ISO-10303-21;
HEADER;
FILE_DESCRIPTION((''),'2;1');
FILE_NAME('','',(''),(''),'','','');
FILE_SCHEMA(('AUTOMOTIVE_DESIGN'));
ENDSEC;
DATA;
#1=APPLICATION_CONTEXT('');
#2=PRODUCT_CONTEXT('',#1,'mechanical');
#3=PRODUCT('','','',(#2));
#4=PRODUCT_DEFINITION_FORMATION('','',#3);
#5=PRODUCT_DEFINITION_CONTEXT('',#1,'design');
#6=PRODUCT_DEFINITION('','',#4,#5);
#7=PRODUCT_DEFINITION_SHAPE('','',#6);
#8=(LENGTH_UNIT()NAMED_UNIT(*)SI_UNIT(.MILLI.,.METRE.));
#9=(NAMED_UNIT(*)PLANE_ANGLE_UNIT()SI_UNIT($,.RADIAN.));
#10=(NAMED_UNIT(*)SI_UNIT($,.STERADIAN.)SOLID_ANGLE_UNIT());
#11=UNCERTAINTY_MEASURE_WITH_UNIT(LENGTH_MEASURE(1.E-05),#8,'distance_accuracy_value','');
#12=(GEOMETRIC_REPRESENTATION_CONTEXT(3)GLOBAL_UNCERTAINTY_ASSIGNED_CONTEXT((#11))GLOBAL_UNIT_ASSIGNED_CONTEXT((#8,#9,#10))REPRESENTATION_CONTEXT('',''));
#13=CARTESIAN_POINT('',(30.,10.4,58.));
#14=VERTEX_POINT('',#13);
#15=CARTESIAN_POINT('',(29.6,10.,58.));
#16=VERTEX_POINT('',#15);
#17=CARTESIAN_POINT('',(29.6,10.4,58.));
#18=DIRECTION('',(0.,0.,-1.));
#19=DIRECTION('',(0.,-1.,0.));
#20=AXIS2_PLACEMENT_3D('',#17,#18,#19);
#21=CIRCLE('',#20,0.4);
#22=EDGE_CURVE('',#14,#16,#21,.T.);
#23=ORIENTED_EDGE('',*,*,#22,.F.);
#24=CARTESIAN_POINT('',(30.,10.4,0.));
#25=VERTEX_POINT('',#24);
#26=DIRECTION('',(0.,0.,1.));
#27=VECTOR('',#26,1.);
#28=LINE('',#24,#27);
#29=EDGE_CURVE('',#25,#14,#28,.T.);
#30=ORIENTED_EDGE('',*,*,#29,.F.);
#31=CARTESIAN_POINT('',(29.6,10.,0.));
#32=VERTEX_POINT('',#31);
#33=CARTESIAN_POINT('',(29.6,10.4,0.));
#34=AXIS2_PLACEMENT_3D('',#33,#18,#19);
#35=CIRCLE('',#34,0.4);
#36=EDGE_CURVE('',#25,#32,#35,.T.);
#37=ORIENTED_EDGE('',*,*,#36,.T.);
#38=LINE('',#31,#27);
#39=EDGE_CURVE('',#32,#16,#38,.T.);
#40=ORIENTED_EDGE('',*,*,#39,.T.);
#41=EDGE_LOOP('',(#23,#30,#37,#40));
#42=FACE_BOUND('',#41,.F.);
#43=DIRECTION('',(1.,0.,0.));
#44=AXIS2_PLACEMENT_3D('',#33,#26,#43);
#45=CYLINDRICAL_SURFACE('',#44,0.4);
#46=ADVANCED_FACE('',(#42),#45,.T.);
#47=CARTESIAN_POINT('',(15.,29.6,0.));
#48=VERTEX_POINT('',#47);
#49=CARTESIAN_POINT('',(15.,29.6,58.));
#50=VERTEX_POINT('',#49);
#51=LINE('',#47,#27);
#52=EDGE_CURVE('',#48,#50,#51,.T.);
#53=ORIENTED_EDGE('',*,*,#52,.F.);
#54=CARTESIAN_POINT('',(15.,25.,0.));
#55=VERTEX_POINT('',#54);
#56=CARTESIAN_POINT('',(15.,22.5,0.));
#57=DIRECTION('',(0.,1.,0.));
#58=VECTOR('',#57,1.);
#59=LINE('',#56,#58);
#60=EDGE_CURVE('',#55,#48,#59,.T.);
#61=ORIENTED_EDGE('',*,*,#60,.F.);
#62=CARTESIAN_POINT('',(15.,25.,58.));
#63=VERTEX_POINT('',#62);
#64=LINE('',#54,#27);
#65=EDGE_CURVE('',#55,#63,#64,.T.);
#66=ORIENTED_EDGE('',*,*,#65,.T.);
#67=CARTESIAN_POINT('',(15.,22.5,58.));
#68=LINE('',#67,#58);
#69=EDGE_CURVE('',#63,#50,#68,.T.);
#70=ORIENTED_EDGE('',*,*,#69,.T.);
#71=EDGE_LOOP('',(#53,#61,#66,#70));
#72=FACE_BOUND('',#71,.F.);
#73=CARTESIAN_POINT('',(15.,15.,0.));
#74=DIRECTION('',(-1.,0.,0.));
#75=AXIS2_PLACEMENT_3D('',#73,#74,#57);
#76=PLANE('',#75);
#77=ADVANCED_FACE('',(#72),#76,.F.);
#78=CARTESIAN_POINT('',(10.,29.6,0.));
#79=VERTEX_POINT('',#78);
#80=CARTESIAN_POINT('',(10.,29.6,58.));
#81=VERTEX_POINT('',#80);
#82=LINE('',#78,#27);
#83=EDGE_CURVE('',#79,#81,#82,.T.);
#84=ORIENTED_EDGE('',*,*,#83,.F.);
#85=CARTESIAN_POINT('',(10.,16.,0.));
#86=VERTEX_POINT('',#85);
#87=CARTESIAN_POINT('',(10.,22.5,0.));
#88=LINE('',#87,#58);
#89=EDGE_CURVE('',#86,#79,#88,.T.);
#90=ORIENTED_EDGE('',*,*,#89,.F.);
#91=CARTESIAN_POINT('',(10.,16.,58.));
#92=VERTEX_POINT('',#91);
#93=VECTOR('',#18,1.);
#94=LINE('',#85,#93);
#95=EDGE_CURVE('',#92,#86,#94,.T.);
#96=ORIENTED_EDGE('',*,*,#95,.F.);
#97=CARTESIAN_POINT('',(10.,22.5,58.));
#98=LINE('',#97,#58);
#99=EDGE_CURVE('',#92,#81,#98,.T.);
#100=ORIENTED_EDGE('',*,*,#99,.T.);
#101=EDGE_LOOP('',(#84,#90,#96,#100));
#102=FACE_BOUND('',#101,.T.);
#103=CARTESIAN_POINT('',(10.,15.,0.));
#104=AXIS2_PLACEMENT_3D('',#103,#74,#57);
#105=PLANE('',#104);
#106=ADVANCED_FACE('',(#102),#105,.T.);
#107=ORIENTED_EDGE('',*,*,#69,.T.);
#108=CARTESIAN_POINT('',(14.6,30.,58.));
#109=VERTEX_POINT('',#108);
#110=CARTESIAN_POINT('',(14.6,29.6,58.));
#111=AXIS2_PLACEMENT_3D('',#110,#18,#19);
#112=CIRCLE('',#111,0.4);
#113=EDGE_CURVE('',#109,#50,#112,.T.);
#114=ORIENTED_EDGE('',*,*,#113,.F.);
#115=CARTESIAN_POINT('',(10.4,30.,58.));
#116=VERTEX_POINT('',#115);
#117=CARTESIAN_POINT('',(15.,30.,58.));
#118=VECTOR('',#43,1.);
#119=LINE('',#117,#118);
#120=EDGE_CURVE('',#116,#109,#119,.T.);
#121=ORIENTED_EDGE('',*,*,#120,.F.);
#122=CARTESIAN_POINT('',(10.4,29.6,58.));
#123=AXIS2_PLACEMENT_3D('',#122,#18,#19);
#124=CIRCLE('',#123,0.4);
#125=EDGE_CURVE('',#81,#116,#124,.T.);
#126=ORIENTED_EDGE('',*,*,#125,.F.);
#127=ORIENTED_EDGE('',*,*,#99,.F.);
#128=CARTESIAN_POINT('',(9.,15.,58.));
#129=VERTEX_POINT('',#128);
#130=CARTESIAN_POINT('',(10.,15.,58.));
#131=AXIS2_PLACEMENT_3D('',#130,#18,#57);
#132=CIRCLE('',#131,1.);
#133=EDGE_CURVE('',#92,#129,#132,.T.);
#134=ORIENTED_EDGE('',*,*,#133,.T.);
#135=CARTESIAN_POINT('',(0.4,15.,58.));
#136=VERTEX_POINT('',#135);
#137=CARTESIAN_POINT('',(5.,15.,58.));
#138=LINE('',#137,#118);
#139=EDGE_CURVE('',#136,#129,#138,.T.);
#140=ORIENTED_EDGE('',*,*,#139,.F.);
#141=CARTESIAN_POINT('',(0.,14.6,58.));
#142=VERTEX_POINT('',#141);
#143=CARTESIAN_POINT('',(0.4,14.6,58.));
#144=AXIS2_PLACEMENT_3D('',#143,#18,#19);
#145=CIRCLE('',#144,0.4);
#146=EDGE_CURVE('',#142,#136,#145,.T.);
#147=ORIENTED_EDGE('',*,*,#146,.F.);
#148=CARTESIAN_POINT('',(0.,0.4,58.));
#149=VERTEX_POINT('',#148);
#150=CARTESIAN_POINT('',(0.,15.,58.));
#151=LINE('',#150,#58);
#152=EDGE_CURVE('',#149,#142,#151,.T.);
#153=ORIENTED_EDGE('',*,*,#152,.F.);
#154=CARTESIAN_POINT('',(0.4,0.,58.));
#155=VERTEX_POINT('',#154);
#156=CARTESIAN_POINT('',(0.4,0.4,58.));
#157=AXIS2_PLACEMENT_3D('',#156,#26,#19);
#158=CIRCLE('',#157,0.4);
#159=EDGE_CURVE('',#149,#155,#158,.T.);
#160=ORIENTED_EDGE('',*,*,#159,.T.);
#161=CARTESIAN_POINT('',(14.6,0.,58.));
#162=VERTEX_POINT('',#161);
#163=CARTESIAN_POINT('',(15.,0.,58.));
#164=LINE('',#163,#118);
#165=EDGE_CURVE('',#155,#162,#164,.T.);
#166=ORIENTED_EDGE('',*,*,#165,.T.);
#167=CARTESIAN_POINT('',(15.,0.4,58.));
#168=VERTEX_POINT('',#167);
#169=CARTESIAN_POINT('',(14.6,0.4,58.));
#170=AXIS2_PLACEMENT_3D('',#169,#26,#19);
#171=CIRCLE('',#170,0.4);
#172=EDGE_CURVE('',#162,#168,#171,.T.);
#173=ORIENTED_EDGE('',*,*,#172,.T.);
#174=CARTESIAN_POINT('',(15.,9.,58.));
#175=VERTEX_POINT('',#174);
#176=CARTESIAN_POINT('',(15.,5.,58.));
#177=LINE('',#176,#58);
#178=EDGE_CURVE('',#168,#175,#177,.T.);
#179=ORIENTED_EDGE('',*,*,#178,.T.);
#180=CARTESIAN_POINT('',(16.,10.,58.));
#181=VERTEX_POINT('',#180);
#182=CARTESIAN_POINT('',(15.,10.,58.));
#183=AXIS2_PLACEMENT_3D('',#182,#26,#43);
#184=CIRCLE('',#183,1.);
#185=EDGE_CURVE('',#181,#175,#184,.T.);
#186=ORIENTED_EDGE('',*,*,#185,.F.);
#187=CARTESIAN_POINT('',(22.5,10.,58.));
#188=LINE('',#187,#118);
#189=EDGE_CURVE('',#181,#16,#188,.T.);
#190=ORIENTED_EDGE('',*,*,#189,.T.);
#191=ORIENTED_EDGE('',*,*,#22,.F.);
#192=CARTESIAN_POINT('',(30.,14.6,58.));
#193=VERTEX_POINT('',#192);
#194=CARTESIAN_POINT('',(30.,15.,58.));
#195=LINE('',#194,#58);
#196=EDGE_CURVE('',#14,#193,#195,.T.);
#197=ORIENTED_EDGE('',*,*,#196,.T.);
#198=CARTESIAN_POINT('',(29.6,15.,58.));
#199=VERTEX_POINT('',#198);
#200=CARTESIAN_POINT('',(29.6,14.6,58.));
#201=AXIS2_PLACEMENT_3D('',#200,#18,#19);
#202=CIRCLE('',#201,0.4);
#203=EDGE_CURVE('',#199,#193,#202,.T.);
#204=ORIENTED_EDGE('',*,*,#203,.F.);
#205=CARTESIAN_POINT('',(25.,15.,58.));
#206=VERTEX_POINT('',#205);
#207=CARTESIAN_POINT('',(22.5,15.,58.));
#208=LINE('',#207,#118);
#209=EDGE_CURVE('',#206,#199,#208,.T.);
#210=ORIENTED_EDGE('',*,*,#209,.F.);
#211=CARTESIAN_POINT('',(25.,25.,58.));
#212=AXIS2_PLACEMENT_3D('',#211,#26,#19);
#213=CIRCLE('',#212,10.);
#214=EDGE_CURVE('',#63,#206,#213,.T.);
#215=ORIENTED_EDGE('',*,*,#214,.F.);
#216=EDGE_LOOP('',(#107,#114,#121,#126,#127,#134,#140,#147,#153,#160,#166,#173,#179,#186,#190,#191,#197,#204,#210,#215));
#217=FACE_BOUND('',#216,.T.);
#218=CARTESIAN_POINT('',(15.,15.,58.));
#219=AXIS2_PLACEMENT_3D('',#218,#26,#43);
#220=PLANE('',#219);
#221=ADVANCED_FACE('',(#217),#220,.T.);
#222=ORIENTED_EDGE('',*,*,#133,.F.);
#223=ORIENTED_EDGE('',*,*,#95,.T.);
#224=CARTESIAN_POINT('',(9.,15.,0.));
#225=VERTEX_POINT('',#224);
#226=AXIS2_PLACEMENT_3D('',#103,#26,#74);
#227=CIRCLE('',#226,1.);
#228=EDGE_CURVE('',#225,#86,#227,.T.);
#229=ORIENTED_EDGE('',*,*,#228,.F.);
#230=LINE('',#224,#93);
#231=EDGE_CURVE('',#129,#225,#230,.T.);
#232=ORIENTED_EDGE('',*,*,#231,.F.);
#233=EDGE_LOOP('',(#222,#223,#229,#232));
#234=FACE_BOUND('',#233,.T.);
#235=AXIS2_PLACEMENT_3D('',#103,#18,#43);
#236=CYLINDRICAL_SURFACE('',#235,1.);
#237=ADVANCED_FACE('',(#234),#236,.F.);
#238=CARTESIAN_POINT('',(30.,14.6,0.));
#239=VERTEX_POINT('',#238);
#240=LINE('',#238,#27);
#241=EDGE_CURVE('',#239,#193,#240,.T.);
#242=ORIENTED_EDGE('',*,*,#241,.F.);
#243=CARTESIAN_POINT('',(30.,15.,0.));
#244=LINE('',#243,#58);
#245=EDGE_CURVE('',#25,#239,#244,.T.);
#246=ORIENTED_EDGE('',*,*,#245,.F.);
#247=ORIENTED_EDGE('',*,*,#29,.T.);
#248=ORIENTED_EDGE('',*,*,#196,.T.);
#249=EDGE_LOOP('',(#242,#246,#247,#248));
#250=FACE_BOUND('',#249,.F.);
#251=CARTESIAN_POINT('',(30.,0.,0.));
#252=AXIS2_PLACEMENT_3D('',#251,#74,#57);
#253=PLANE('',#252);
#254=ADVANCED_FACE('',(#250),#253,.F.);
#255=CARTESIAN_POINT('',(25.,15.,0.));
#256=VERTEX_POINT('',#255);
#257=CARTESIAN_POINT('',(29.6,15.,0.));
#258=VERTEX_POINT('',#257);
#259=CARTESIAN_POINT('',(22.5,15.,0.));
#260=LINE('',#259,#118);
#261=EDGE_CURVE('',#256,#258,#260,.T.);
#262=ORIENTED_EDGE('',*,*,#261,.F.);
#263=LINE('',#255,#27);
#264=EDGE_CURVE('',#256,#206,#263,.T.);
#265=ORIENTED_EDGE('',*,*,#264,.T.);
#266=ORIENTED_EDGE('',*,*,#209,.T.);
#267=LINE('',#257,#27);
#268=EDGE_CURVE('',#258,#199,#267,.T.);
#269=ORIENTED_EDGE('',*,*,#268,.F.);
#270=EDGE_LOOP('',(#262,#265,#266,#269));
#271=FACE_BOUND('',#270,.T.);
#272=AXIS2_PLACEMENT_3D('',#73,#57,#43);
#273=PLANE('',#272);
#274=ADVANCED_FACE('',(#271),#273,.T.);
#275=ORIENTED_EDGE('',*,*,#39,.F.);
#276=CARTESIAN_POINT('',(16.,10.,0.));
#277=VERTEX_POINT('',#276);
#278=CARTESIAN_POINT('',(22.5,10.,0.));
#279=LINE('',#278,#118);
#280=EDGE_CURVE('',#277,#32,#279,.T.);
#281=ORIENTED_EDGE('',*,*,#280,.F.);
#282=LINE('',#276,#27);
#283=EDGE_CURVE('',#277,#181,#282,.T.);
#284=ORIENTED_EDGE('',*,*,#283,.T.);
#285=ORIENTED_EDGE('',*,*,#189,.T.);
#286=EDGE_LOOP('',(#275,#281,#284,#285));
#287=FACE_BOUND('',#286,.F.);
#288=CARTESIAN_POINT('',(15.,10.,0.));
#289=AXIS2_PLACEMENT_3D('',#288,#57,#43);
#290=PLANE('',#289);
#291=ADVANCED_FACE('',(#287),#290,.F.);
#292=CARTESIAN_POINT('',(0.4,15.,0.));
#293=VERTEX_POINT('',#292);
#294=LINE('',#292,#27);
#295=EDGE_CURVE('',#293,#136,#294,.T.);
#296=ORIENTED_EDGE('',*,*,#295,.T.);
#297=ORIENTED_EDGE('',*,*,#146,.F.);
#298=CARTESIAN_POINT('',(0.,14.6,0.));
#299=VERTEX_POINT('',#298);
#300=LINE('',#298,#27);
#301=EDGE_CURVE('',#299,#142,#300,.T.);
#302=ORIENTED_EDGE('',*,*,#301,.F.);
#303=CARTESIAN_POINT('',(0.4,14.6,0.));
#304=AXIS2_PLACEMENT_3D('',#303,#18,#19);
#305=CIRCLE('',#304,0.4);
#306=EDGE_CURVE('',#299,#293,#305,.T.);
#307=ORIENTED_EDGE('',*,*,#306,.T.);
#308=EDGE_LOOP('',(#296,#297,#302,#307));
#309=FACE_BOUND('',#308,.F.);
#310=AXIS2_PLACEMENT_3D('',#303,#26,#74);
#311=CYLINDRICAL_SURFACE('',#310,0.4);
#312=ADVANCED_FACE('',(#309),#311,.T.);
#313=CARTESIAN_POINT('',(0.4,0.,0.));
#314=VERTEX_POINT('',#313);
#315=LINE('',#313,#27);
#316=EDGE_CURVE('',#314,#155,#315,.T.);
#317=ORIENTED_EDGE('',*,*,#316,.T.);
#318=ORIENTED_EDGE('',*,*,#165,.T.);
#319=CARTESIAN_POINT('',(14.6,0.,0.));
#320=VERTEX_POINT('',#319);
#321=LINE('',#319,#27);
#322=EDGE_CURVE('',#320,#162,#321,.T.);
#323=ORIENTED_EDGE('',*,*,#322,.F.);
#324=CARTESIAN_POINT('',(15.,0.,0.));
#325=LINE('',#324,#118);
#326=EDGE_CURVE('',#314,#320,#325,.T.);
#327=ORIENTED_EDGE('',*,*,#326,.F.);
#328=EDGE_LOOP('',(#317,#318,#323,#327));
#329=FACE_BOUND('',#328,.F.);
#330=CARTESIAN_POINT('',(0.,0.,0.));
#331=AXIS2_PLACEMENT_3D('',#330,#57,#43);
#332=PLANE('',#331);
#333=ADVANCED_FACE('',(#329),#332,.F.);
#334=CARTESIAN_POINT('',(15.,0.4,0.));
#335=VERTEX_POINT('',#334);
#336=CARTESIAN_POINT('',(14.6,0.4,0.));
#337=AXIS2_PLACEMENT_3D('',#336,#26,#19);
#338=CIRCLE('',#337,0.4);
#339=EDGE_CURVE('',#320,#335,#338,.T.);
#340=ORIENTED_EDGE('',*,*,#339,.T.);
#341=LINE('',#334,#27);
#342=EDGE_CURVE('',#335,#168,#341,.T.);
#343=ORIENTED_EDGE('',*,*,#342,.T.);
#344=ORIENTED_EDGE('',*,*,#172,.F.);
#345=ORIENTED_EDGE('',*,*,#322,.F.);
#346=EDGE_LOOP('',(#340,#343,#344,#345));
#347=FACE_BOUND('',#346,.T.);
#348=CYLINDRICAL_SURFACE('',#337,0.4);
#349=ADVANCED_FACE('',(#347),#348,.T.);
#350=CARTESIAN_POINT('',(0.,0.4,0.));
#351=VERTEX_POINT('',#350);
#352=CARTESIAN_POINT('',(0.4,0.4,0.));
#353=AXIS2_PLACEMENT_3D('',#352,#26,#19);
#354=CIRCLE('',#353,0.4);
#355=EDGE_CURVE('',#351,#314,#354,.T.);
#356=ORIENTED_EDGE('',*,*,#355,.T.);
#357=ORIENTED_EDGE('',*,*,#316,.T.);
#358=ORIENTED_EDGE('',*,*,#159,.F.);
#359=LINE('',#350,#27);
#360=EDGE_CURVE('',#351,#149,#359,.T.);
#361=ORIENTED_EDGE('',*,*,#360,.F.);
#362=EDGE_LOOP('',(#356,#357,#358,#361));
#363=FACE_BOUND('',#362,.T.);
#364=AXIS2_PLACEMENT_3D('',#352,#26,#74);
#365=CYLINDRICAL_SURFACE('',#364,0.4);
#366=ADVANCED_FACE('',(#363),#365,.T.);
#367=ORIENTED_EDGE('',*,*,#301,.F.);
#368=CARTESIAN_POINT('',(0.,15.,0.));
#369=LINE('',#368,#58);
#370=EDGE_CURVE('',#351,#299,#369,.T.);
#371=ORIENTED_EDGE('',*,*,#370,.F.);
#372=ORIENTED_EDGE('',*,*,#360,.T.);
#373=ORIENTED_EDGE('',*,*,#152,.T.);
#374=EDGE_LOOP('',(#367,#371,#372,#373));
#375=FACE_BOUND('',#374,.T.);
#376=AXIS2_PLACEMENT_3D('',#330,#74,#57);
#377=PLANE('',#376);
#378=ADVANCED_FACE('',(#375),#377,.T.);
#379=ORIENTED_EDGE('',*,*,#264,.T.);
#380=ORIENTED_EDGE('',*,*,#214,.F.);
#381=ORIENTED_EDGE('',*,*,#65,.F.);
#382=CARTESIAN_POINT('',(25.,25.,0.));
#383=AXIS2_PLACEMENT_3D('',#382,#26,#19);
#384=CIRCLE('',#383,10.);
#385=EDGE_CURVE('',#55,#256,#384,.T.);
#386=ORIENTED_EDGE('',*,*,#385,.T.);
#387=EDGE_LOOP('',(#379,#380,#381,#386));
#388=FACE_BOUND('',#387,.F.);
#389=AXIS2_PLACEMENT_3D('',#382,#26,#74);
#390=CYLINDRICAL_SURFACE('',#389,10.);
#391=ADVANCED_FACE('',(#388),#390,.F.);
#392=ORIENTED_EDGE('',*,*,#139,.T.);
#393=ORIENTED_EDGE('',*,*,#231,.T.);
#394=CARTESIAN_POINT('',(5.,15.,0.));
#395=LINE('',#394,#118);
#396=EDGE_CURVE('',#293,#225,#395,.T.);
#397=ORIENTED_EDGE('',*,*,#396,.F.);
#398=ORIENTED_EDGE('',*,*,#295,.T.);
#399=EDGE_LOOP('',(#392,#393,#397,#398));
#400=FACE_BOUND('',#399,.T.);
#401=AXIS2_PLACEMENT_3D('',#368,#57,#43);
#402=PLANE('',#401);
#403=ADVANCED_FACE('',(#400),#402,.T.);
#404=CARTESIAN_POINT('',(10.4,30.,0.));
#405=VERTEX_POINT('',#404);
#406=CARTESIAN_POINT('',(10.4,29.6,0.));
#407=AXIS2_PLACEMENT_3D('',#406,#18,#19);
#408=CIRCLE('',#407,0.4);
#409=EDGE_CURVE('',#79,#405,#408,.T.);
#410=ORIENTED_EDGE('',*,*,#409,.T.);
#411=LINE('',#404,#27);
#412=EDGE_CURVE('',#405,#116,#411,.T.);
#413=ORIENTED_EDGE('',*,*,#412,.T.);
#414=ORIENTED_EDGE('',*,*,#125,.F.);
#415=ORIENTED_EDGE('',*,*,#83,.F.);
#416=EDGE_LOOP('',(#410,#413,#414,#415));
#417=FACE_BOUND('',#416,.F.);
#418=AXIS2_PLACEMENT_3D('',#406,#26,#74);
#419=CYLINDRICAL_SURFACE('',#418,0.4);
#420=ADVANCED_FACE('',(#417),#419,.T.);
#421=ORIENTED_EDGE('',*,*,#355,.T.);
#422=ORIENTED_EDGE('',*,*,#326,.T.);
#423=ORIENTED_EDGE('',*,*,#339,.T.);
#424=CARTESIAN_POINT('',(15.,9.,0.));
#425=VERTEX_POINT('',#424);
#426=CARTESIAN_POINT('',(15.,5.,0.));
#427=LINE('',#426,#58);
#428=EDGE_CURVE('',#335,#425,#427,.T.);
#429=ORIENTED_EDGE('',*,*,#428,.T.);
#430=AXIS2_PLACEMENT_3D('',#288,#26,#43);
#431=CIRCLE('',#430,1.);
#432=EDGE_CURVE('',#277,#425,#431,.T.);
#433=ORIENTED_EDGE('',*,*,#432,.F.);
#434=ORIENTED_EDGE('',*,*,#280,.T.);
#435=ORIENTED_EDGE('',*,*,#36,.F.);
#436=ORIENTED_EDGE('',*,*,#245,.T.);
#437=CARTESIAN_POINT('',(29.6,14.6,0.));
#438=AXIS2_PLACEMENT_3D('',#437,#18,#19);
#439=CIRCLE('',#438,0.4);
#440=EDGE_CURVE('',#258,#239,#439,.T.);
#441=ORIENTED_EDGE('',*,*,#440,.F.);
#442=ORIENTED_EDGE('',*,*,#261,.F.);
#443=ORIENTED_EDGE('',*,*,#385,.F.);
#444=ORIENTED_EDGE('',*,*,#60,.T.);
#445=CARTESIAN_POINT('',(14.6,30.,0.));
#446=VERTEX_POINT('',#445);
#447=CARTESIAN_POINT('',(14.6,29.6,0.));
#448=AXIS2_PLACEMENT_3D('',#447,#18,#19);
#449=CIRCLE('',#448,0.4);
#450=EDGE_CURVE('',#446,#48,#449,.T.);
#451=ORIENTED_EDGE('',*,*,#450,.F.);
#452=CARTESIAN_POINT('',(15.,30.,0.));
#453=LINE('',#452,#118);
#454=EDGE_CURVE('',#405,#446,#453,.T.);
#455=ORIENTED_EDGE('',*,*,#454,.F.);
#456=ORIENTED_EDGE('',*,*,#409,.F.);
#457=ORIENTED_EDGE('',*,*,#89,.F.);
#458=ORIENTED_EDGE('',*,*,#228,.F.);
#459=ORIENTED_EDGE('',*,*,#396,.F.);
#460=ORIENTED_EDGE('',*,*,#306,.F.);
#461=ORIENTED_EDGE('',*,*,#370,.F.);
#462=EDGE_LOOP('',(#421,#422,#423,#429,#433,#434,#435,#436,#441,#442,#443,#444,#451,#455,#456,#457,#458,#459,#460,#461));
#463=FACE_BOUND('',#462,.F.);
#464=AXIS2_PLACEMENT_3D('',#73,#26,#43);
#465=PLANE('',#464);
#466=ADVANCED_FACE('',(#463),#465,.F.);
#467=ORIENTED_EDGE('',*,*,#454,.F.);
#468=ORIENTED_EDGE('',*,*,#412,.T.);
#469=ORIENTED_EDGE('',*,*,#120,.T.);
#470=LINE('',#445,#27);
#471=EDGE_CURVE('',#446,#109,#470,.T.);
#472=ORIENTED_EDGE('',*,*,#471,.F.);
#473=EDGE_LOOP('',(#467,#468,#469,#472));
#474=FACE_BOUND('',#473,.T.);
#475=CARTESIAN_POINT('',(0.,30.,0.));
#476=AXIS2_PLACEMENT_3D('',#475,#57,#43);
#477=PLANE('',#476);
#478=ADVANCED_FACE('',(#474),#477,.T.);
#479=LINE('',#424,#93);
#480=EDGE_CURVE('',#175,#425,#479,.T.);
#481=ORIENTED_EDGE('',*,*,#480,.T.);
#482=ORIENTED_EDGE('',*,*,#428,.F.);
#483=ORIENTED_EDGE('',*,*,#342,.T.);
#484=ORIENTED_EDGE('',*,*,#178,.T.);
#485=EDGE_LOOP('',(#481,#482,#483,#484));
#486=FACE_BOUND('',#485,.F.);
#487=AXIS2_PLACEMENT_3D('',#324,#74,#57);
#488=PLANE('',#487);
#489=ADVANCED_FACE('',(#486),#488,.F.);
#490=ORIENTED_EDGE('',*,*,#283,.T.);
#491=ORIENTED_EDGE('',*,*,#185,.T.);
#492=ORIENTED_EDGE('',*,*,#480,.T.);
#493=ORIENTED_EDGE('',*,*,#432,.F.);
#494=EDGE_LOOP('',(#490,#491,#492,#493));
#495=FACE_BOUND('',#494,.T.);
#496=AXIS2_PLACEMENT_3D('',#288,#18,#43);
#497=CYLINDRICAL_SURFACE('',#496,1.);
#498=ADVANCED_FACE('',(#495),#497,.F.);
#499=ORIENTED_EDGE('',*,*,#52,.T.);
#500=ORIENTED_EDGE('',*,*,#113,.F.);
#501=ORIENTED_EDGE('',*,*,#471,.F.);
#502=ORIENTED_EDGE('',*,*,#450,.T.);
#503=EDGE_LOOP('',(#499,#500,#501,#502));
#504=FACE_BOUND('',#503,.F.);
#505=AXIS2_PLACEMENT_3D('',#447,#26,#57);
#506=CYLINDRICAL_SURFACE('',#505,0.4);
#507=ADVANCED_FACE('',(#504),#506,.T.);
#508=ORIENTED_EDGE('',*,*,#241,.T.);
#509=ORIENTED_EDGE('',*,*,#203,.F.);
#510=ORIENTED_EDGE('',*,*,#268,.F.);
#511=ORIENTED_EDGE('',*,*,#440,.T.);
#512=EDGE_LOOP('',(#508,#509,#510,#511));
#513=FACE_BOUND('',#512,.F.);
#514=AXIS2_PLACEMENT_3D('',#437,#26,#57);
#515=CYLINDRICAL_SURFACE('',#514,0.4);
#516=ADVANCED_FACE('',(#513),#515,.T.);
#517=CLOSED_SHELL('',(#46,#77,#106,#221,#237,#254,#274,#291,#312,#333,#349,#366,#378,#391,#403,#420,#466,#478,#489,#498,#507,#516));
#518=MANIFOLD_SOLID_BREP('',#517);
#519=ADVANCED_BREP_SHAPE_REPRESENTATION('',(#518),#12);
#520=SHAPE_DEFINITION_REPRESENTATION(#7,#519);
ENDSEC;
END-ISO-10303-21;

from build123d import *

# Parameters (mm, degrees)
BOX003_W          = 15
BOX003_H          = 15
BOX003_DEPTH      = 58
FILLET_R          = 10
CYLINDER_R        = 1
CYLINDER_DEPTH    = 58
CYLINDER001_R     = 1
CYLINDER001_DEPTH = 58
BOX002_W          = 10
BOX002_H          = 15
BOX002_DEPTH      = 58
BOX001_W          = 15
BOX001_H          = 10
BOX001_DEPTH      = 58
BOX_W             = 30
BOX_H             = 30
BOX_DEPTH         = 58
FILLET001_R       = 0.4


with BuildPart() as fillet_body:
    # Box003 → Box003 (new body)
    with BuildSketch(Plane(origin=(15, 15, 0), x_dir=(1, 0, 0), z_dir=(0, 0, 1))):
        with Locations((7.5, 7.5)):
            Rectangle(BOX003_W, BOX003_H)
    extrude(amount=BOX003_DEPTH)

    # Fillet
    fillet_edges = [fillet_body.edges().sort_by_distance(p)[0] for p in [
        (15, 15, 29),
    ]]
    fillet(fillet_edges, radius=FILLET_R)


with BuildPart() as cylinder:
    # Cylinder → Cylinder (new body)
    with BuildSketch(Plane(origin=(15, 10, 0), x_dir=(1, 0, 0), z_dir=(0, 0, 1))):
        Circle(CYLINDER_R)
    extrude(amount=CYLINDER_DEPTH)


with BuildPart() as cylinder001:
    # Cylinder001 → Cylinder001 (new body)
    with BuildSketch(Plane(origin=(10, 15, 0), x_dir=(1, 0, 0), z_dir=(0, 0, 1))):
        Circle(CYLINDER001_R)
    extrude(amount=CYLINDER001_DEPTH)


with BuildPart() as cube002:
    # Box002 → Box002 (new body)
    with BuildSketch(Plane(origin=(0, 15, 0), x_dir=(1, 0, 0), z_dir=(0, 0, 1))):
        with Locations((5, 7.5)):
            Rectangle(BOX002_W, BOX002_H)
    extrude(amount=BOX002_DEPTH)


with BuildPart() as cube001:
    # Box001 → Box001 (new body)
    with BuildSketch(Plane(origin=(15, 0, 0), x_dir=(1, 0, 0), z_dir=(0, 0, 1))):
        with Locations((7.5, 5)):
            Rectangle(BOX001_W, BOX001_H)
    extrude(amount=BOX001_DEPTH)


with BuildPart() as fillet001:
    # Box → Box (new body)
    with BuildSketch(Plane.XY):
        with Locations((15, 15)):
            Rectangle(BOX_W, BOX_H)
    extrude(amount=BOX_DEPTH)

    # Cut: cut Cube001
    add(cube001.part, mode=Mode.SUBTRACT)

    # Cut001: cut Cube002
    add(cube002.part, mode=Mode.SUBTRACT)

    # Cut002: cut Cylinder001
    add(cylinder001.part, mode=Mode.SUBTRACT)

    # Cut003: cut Cylinder
    add(cylinder.part, mode=Mode.SUBTRACT)

    # Cut004: cut Fillet body
    add(fillet_body.part, mode=Mode.SUBTRACT)

    # Fillet001
    fillet001_edges = [fillet001.edges().sort_by_distance(p)[0] for p in [
        (0, 15, 29),
        (0, 0, 29),
        (15, 0, 29),
        (15, 30, 29),
        (10, 30, 29),
        (30, 15, 29),
        (30, 10, 29),
    ]]
    fillet(fillet001_edges, radius=FILLET001_R)


solid = fillet001.part
